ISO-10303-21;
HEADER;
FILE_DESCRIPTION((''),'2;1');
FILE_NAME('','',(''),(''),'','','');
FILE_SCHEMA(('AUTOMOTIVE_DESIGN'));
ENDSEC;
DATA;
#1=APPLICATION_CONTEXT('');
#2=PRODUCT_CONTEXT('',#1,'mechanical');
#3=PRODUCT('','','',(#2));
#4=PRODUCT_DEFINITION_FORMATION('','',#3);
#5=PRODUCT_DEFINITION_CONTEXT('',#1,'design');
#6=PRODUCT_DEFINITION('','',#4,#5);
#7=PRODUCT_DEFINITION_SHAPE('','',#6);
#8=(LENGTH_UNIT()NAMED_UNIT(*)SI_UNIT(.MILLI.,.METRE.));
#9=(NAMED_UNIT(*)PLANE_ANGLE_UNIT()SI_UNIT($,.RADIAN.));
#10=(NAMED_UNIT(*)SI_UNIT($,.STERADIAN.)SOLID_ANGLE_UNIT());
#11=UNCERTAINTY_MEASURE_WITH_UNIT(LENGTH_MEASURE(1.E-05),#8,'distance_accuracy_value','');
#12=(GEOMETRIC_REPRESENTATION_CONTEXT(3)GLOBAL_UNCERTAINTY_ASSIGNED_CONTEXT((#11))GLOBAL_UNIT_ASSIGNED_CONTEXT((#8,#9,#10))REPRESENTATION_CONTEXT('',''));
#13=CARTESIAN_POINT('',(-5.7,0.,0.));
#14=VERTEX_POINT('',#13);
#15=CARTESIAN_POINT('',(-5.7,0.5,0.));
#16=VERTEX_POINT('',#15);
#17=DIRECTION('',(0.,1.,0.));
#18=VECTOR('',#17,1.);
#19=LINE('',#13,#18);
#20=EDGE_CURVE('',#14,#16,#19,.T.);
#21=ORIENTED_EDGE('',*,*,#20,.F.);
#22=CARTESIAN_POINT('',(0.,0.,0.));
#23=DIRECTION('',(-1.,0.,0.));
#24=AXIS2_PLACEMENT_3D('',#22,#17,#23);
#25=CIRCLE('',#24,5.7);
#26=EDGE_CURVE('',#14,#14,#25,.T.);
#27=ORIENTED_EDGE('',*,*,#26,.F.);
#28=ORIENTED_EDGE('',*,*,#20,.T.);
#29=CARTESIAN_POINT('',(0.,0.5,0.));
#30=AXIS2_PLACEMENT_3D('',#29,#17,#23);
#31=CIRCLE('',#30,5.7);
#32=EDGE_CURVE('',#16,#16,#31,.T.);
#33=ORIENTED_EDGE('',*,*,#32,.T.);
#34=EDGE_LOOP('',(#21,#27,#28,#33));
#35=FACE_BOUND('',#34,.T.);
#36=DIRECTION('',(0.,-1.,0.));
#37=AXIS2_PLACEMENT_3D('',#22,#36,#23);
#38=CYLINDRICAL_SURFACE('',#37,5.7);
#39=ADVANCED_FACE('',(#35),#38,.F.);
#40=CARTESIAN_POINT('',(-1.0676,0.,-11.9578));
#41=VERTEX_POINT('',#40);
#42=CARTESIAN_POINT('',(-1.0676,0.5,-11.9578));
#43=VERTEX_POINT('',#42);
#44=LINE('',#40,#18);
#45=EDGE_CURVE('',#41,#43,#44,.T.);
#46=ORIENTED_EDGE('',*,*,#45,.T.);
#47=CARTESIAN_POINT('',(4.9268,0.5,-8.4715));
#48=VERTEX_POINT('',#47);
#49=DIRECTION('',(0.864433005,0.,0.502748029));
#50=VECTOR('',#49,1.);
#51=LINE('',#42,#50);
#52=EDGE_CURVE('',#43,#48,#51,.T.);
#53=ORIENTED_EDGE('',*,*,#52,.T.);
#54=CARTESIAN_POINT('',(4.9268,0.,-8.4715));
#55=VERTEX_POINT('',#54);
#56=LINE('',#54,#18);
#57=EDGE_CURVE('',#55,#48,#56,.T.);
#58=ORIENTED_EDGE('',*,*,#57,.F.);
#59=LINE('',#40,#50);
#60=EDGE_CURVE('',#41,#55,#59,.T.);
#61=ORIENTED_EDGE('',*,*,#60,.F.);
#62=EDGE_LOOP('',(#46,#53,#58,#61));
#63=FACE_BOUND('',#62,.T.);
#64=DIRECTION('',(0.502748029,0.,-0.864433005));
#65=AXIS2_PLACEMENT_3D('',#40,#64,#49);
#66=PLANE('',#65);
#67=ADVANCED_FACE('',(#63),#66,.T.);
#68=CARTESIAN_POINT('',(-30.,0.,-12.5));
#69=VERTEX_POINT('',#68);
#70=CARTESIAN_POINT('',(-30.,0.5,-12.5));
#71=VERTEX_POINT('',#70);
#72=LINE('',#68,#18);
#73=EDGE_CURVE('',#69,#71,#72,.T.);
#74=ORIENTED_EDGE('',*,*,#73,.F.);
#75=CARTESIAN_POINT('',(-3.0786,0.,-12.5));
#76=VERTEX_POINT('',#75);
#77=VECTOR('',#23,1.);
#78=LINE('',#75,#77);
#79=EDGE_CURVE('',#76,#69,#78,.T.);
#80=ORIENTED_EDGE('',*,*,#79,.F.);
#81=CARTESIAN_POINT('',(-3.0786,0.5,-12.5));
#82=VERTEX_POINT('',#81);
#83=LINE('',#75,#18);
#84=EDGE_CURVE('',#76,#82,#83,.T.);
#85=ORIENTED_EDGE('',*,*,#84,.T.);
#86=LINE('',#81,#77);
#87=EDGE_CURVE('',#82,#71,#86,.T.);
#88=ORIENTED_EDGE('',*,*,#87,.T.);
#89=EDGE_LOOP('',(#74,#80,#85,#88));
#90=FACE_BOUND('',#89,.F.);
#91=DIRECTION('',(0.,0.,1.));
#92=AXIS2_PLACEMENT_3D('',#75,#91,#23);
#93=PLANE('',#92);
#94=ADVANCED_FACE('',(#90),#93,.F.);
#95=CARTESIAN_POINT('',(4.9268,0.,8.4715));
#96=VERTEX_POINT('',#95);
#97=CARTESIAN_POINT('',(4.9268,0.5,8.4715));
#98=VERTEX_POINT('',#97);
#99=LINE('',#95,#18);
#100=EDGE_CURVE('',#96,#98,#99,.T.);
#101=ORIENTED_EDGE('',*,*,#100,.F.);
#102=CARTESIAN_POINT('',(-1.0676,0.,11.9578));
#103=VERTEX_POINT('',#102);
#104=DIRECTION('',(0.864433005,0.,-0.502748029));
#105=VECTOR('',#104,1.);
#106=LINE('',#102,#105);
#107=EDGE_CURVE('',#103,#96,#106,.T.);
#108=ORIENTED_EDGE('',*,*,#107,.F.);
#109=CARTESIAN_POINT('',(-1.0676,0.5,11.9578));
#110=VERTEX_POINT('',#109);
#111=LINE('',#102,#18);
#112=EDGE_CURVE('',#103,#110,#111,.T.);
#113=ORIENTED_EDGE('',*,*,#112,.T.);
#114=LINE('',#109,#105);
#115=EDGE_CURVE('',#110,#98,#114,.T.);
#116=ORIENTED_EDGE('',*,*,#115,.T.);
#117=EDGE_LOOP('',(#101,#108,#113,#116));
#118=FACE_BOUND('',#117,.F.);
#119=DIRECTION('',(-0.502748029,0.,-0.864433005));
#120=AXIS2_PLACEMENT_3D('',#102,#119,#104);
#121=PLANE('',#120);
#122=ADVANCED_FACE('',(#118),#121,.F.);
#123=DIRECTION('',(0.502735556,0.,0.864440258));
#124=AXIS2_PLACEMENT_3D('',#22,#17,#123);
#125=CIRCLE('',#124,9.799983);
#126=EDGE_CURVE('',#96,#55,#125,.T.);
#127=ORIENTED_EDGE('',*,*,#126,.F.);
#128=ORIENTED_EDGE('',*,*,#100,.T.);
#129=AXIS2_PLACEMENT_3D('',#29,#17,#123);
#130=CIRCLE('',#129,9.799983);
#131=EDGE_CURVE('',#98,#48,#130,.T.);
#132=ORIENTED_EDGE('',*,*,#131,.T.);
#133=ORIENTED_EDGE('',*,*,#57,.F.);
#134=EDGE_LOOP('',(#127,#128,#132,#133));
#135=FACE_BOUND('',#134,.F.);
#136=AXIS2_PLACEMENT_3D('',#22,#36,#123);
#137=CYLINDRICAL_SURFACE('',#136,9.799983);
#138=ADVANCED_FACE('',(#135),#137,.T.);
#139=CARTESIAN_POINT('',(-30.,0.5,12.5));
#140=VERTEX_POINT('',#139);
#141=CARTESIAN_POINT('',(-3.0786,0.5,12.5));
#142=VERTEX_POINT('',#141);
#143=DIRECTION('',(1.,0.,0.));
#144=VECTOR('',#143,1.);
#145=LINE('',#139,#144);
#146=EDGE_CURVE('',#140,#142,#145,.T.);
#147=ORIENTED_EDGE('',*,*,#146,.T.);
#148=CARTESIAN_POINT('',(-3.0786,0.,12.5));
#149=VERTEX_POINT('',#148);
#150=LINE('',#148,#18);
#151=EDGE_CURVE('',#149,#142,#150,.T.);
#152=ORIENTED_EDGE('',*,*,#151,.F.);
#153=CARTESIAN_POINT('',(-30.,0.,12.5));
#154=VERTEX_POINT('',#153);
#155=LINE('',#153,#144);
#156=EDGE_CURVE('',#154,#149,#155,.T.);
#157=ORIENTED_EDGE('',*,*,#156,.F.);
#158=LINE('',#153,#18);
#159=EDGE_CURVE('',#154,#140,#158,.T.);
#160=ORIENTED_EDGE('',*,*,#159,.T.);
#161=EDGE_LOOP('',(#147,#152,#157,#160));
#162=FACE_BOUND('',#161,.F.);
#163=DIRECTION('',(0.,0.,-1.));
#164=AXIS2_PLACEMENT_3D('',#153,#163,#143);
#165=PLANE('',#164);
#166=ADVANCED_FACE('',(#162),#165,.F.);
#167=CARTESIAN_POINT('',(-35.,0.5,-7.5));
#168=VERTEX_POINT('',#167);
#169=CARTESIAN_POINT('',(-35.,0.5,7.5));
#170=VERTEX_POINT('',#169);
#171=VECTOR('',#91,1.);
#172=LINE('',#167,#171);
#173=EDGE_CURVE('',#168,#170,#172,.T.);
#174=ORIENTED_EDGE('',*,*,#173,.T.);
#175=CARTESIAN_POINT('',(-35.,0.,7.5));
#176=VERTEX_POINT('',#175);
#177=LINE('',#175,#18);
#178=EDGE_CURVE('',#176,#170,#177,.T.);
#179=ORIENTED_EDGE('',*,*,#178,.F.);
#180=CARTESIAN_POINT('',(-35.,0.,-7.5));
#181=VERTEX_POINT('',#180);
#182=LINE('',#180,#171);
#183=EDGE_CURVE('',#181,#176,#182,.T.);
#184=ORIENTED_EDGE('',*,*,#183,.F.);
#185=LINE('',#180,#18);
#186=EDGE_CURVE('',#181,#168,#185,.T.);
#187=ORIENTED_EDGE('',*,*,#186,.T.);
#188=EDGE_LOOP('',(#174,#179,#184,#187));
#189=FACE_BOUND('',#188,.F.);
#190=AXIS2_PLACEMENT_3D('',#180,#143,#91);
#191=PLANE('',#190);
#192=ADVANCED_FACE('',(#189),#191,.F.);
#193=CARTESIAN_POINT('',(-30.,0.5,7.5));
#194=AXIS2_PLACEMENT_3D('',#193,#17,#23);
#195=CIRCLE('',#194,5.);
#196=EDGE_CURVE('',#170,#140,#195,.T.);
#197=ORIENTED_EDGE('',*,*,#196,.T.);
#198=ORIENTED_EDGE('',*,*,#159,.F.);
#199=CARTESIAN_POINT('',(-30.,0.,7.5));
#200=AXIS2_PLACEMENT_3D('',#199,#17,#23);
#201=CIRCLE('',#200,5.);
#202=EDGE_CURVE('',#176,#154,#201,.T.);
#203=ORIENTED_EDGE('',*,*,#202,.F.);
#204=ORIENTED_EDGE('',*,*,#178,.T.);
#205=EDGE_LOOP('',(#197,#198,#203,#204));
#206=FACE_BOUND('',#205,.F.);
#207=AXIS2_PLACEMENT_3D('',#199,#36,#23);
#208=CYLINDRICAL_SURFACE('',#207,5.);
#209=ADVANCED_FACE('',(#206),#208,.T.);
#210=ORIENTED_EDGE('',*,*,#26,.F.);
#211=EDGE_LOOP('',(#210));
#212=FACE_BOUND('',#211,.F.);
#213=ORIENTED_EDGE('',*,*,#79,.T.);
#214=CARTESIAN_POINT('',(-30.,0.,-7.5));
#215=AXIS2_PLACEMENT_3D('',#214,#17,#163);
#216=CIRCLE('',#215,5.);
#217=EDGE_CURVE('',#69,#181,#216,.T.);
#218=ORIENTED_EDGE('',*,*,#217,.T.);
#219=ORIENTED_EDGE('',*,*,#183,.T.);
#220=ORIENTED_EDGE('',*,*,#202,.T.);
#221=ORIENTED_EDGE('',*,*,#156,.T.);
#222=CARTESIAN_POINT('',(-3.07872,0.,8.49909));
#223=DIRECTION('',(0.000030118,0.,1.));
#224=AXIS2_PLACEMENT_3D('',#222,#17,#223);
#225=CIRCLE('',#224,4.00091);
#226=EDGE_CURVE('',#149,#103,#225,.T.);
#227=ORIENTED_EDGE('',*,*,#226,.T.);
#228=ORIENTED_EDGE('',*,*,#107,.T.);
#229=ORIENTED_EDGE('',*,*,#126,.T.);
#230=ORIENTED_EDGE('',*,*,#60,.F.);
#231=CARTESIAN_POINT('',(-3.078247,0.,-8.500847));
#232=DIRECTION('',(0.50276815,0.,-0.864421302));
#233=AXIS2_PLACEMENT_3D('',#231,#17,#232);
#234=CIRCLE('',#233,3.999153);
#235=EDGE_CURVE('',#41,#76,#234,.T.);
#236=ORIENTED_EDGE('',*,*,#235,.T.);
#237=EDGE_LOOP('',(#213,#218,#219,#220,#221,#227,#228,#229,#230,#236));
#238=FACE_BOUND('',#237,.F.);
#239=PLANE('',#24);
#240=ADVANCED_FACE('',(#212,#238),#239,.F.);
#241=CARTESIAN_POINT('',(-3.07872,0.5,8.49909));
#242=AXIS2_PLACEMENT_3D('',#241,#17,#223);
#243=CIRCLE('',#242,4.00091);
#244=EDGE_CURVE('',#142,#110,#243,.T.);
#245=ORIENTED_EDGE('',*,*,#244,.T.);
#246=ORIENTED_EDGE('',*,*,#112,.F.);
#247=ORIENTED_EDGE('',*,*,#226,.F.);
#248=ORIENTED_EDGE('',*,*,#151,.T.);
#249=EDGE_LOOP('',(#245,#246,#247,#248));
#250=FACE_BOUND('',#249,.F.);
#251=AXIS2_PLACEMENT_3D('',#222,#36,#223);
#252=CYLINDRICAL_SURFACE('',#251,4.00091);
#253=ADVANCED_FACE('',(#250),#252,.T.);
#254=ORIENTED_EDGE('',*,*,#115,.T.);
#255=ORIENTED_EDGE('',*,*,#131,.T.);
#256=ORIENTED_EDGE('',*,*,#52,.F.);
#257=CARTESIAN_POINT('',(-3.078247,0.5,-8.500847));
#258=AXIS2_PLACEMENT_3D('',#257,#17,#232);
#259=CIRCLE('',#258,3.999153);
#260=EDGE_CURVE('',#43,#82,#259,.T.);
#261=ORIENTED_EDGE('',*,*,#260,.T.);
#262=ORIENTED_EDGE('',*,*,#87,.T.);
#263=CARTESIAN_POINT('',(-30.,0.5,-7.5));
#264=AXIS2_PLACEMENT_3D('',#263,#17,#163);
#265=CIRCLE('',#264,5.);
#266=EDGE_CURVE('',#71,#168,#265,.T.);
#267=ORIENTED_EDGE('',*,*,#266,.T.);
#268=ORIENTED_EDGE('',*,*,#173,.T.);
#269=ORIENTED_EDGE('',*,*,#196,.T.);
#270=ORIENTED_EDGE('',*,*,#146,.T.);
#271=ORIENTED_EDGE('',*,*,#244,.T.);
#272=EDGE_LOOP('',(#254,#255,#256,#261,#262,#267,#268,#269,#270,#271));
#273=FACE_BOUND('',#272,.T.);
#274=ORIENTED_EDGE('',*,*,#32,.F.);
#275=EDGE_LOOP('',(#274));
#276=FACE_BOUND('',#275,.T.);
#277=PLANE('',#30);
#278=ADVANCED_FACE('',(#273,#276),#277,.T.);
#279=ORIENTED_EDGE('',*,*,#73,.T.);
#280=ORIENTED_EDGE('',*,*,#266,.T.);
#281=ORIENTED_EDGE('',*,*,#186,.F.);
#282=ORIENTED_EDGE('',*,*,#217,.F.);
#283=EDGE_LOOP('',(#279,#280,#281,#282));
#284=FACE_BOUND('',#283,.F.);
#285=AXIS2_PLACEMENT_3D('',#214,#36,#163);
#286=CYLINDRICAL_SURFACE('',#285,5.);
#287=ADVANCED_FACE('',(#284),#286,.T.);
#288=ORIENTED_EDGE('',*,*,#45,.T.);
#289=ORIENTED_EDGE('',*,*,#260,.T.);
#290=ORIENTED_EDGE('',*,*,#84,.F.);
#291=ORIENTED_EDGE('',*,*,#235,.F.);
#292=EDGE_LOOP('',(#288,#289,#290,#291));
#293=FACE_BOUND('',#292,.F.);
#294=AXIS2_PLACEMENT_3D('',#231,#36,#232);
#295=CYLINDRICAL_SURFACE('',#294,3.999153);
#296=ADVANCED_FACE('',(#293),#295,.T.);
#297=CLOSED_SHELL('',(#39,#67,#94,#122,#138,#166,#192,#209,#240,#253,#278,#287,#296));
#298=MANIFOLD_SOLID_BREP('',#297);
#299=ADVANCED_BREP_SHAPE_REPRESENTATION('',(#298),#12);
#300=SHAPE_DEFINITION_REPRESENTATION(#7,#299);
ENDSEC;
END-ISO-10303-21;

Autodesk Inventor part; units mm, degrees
ref_plane "YZ Plane" through (0, 0, 0) normal (1, 0, 0) x (0, 1, 0)
ref_plane "XZ Plane" through (0, 0, 0) normal (0, 1, 0) x (-1, 0, 0)
ref_plane "XY Plane" through (0, 0, 0) normal (0, 0, 1) x (1, 0, 0)
sketch "Sketch1" plane through (0, 0, 0) normal (0, 1, 0) x (-1, 0, 0)
  circle A0 centre (0, 0) radius 5.7
  arc A1 (0, 9) -> (0, -9) centre (0, 0) ccw construction
  line L0 (0, 9) -> (12.65, 9) construction
  line L1 (12.65, 9) -> (12.65, -9) construction
  line L2 (0, 0) -> (0, -9) construction
  line L3 (3.0786, -12.5) -> (30, -12.5)
  line L4 (35, -7.5) -> (35, 7.5)
  line L5 (30, 12.5) -> (3.0786, 12.5)
  arc A2 (35, 7.5) -> (30, 12.5) centre (30, 7.5) ccw
  arc A3 (30, -12.5) -> (35, -7.5) centre (30, -7.5) ccw
  arc A4 (-4.9268, 8.4715) -> (-4.9268, -8.4715) centre (0, 0) ccw
  line L6 (1.0676, -11.9578) -> (-4.9268, -8.4715)
  line L7 (1.0676, 11.9578) -> (-4.9268, 8.4715)
  arc A5 (1.0676, -11.9578) -> (3.0786, -12.5) centre (3.0786, -8.5) ccw
  arc A6 (3.0786, 12.5) -> (1.0676, 11.9578) centre (3.0786, 8.5) ccw
  point P0 (35, -12.5)
  point P1 (35, 12.5)
  point P2 (2, -12.5)
  point P3 (2, 12.5)
  dimension "d0" = 11.4
  dimension "d1" = 9
  dimension "d2" = 12.65
  dimension "d5" = 25
  dimension "d6" = 5
  dimension "d10" = 25
  dimension "d11" = 19.6
  dimension "d12" = 4
extrude "Extrusion1" add sketch "Sketch1" along normal blind 0.5
properties part number "Laser-Pivot-Ringpull"
